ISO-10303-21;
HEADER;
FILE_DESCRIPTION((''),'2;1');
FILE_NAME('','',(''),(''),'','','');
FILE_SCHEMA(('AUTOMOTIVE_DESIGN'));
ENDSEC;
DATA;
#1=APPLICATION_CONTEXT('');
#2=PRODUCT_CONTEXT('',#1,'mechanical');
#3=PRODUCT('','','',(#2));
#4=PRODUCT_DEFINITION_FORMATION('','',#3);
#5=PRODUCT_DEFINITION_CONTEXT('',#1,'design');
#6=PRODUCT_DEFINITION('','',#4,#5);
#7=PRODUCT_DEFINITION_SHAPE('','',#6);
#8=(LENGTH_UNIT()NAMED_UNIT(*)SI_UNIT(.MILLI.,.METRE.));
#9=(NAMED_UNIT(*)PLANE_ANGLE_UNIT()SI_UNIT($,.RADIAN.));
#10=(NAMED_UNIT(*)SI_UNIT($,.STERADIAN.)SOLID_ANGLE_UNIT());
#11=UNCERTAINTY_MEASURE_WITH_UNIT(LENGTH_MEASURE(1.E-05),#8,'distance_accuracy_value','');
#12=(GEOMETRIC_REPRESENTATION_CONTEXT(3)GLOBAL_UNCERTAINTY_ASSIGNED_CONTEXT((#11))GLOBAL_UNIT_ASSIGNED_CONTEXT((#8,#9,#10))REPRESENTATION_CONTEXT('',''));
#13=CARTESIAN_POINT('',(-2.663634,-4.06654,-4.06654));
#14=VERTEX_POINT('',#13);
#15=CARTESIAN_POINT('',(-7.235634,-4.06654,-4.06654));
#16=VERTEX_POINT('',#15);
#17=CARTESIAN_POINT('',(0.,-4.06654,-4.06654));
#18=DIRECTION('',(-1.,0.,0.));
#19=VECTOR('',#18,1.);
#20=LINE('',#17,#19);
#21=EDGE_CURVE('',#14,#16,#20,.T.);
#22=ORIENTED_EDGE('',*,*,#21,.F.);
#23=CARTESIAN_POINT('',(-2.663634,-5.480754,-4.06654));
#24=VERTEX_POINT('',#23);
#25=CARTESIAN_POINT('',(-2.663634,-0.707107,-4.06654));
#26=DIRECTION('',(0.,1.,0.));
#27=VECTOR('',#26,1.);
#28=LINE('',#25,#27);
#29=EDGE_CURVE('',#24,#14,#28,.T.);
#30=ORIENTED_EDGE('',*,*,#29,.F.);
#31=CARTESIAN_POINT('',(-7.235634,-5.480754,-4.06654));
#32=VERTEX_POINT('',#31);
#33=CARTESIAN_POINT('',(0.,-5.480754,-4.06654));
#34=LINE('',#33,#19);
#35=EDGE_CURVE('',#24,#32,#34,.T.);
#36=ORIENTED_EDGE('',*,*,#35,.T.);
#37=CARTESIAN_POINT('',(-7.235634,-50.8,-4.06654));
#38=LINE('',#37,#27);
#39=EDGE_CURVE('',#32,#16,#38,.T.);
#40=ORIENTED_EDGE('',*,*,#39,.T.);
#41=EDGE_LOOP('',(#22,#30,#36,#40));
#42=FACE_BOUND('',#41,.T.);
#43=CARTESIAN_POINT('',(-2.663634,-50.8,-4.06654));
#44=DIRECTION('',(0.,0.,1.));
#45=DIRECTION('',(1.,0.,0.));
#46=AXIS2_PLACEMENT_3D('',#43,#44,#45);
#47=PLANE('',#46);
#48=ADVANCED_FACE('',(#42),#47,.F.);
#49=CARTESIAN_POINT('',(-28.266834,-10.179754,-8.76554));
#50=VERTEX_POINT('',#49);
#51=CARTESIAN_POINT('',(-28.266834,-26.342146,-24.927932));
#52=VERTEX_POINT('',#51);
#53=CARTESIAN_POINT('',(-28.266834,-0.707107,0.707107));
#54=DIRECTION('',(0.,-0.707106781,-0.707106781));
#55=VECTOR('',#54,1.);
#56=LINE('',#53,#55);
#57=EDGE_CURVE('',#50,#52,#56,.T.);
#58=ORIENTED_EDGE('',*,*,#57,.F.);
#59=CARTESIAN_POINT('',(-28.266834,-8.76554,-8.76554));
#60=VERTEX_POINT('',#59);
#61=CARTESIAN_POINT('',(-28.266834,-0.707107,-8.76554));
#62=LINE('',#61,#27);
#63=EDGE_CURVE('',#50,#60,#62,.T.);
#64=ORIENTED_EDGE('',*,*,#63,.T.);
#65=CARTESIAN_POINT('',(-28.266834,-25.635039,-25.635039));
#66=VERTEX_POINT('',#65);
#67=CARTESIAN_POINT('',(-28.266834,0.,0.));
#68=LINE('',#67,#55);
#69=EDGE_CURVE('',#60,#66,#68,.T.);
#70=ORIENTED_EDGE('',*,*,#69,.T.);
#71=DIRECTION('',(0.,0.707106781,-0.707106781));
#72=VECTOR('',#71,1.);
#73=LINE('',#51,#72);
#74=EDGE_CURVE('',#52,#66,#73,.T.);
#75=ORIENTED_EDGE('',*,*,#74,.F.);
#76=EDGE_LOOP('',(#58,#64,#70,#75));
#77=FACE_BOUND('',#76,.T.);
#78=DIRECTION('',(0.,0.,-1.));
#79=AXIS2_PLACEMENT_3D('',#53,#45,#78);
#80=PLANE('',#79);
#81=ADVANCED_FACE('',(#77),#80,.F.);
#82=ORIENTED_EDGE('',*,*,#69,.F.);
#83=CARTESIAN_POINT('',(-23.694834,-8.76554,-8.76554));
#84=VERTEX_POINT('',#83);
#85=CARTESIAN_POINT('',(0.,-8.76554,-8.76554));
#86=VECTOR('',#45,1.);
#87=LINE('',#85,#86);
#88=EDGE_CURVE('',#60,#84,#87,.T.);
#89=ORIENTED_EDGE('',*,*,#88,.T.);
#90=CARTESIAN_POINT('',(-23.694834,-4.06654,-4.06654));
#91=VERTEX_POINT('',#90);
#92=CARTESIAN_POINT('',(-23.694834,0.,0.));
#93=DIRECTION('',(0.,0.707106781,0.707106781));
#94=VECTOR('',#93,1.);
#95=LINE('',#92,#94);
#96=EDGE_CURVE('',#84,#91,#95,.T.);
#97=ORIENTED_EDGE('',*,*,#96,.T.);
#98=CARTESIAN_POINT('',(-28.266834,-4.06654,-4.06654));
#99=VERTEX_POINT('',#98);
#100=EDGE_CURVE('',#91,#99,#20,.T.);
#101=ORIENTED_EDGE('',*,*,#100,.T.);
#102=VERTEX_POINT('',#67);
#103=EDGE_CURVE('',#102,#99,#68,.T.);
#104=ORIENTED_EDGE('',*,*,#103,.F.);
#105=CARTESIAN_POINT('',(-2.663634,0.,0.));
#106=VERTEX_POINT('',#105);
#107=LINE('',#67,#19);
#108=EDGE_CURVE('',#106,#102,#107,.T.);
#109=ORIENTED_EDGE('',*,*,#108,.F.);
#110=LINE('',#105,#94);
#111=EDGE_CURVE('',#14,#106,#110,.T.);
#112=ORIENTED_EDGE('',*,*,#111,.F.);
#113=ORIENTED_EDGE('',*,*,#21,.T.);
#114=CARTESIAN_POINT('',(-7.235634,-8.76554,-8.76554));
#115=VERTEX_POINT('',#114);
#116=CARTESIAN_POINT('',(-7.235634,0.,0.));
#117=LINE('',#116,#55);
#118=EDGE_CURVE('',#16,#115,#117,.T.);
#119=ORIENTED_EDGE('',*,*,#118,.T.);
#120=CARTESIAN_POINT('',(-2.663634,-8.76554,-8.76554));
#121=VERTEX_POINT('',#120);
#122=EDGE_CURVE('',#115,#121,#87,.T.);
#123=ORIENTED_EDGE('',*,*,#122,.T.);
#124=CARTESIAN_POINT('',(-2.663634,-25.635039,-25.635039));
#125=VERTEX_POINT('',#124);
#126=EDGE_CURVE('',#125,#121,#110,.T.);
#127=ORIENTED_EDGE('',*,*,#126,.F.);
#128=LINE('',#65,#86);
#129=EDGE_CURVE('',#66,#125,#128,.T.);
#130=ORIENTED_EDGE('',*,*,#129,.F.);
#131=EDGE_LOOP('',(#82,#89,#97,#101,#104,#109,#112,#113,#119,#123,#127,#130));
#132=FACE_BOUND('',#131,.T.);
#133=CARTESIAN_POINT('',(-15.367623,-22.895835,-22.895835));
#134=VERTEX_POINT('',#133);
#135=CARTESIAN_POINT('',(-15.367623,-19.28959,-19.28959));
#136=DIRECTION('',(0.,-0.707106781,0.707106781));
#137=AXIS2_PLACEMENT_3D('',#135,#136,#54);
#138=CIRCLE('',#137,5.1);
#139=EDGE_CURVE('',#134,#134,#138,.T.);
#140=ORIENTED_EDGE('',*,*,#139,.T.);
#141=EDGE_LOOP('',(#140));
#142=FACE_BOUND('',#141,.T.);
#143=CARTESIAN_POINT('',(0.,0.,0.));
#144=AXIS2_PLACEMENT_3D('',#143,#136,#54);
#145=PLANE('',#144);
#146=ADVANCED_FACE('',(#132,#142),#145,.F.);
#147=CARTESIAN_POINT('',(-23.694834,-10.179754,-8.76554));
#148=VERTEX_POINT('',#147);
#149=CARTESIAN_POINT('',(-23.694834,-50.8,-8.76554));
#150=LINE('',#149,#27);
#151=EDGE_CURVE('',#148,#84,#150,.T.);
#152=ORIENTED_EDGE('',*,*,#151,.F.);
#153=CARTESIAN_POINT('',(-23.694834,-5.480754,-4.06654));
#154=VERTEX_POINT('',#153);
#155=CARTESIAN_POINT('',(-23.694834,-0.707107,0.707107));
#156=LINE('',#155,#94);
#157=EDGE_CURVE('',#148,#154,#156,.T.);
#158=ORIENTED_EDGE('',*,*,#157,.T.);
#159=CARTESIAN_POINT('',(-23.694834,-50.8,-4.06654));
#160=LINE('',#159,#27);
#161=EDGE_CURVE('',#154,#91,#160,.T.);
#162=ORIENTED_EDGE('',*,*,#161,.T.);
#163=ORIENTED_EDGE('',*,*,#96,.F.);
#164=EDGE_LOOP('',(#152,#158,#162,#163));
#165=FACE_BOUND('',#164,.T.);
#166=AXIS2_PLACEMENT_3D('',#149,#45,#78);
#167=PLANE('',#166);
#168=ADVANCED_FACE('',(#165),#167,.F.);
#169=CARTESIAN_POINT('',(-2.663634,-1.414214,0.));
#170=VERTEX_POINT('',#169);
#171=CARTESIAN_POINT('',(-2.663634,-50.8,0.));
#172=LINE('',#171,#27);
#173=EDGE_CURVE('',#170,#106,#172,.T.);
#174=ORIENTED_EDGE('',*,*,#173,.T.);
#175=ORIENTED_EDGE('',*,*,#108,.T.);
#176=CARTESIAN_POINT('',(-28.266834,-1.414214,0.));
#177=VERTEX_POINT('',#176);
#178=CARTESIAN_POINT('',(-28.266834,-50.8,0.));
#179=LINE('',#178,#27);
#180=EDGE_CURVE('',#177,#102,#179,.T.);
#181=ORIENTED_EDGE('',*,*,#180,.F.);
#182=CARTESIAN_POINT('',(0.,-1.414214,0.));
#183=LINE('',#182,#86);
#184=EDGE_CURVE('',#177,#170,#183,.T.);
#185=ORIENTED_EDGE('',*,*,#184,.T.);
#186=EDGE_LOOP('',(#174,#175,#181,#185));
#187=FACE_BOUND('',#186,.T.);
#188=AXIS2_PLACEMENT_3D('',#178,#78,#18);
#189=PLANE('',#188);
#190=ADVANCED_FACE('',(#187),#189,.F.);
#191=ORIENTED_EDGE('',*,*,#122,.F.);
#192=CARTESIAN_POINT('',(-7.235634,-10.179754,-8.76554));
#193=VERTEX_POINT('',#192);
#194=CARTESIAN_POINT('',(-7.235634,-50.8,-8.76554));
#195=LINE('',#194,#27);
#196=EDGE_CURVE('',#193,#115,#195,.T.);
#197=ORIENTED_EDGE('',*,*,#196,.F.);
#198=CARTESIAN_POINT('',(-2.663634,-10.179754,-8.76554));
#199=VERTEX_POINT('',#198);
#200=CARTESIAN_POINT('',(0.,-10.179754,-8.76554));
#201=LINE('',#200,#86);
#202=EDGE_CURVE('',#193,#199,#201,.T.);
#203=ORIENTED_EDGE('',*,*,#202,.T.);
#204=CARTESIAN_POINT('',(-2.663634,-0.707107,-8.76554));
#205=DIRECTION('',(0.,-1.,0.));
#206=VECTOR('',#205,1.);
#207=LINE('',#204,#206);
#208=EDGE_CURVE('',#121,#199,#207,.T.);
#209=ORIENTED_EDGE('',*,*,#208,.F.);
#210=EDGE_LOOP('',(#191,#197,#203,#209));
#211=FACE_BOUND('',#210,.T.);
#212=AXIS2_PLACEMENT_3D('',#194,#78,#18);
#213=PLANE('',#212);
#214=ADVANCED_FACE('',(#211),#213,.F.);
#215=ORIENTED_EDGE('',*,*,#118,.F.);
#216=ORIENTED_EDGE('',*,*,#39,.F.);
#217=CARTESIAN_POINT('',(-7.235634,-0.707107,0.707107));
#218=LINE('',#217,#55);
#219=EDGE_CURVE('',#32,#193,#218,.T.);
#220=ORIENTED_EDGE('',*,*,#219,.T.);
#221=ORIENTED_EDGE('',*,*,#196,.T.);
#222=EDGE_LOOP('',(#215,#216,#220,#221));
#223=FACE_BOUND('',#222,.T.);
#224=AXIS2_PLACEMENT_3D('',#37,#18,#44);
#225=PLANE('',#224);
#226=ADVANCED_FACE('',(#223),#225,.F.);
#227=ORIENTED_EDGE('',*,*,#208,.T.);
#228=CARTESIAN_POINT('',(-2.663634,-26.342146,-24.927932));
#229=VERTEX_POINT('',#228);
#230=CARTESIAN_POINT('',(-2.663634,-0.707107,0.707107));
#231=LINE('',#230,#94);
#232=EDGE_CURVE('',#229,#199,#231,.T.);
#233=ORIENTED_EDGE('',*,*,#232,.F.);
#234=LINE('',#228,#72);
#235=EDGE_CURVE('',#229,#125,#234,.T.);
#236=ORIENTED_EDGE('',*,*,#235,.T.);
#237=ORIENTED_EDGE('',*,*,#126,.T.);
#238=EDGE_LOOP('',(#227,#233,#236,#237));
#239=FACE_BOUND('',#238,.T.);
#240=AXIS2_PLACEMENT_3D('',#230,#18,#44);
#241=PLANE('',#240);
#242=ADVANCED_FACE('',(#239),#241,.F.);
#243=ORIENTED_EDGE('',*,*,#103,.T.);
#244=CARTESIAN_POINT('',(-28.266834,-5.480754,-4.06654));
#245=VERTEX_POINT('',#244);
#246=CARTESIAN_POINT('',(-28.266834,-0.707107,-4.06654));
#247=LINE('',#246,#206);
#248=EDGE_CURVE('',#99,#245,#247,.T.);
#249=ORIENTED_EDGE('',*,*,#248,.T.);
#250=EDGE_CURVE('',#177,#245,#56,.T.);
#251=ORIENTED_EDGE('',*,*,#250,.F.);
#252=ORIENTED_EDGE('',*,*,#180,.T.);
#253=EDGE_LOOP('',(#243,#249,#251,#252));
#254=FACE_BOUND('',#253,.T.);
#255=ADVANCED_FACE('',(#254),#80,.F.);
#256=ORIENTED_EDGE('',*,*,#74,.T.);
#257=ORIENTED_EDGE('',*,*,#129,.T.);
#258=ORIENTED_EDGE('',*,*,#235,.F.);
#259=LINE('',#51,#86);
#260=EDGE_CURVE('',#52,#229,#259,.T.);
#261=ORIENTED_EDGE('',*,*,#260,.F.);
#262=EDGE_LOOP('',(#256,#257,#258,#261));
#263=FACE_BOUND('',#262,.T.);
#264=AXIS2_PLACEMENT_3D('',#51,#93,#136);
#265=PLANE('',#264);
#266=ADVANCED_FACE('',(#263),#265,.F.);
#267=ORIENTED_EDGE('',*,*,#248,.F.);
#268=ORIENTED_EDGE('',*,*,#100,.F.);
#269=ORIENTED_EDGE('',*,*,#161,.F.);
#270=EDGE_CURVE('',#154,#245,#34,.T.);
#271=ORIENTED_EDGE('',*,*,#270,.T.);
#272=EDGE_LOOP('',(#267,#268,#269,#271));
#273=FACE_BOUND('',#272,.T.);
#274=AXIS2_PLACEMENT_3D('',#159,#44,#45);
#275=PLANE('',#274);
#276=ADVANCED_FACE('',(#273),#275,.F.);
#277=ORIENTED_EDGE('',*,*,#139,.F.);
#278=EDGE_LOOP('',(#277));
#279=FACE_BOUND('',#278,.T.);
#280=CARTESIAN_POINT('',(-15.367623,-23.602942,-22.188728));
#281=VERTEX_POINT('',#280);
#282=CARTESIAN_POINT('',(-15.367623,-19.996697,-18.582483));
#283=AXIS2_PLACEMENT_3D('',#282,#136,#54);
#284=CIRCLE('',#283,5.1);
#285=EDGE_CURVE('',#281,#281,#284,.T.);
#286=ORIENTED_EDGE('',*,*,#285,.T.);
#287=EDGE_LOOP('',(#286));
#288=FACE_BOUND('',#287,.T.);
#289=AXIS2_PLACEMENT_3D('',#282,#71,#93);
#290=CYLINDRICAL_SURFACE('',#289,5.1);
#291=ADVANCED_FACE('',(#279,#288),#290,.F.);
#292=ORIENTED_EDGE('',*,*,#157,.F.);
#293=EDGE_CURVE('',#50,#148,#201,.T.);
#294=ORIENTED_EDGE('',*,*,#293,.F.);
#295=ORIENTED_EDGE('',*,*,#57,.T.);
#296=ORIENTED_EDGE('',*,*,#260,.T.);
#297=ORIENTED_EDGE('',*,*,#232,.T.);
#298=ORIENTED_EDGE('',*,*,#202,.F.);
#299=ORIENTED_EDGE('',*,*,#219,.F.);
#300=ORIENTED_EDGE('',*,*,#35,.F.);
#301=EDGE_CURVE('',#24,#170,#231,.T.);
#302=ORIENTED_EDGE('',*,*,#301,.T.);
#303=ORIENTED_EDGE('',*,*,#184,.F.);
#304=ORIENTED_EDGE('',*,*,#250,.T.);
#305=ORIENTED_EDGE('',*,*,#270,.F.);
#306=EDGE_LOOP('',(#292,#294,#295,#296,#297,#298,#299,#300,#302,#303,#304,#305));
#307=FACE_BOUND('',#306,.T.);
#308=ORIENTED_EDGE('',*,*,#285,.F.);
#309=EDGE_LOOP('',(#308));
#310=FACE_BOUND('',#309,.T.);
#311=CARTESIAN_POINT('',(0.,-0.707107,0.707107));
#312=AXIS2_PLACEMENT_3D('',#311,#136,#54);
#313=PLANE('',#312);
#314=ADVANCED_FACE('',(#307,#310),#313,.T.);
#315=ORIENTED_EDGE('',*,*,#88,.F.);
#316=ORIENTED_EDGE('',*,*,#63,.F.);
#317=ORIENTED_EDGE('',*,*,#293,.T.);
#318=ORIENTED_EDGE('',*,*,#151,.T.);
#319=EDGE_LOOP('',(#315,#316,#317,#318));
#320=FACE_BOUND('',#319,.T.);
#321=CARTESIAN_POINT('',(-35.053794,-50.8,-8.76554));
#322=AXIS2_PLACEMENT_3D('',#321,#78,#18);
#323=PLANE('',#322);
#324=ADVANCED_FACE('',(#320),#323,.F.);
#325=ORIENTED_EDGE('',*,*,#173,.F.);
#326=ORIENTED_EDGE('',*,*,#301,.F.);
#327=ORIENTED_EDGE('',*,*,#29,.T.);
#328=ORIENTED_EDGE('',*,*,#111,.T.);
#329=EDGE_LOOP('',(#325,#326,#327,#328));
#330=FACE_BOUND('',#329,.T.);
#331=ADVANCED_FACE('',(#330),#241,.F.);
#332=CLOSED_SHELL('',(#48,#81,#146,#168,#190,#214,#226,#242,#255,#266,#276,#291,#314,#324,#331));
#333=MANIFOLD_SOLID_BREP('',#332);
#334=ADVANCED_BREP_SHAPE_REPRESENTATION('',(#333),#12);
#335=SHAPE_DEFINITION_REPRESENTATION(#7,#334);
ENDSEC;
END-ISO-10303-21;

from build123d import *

# Parameters (mm, degrees)
SKETCH1_W           = 25.6032
SKETCH1_H           = 36.25342
SKETCH1_R           = 5.1
BOSS_EXTRUDE1_DEPTH = 1
CUT_EXTRUDE1_DEPTH  = 50.8


with BuildPart() as part:
    # Sketch1 → Boss-Extrude1 (new body)
    with BuildSketch(Plane(origin=(0, 0, 0), x_dir=(1, 0, 0), z_dir=(0, -0.7071067811865488, 0.7071067811865464))):
        with Locations((-15.465234019, -18.12671)):
            Rectangle(SKETCH1_W, SKETCH1_H)
        with Locations((-15.367622747, -27.2796)):
            Circle(SKETCH1_R, mode=Mode.SUBTRACT)
    extrude(amount=BOSS_EXTRUDE1_DEPTH)

    # Sketch2 → Cut-Extrude1 (cut)
    with BuildSketch(Plane(origin=(0, 0, 0), x_dir=(1, 0, 0), z_dir=(0, 1, 0))):
        Polygon((-2.663634019, 0), (-2.663634019, 4.06654), (-7.235634019, 4.06654), (-7.235634019, 8.76554), (-2.663634019, 8.76554), (3.686238972, 8.76554), (3.686238972, -11.022964716), (-35.05379443, -11.022964716), (-35.05379443, 8.76554), (-23.694834019, 8.76554), (-23.694834019, 4.06654), (-28.266834019, 4.06654), (-28.266834019, 0), align=None)
    extrude(amount=-CUT_EXTRUDE1_DEPTH, mode=Mode.SUBTRACT)


solid = part.part
